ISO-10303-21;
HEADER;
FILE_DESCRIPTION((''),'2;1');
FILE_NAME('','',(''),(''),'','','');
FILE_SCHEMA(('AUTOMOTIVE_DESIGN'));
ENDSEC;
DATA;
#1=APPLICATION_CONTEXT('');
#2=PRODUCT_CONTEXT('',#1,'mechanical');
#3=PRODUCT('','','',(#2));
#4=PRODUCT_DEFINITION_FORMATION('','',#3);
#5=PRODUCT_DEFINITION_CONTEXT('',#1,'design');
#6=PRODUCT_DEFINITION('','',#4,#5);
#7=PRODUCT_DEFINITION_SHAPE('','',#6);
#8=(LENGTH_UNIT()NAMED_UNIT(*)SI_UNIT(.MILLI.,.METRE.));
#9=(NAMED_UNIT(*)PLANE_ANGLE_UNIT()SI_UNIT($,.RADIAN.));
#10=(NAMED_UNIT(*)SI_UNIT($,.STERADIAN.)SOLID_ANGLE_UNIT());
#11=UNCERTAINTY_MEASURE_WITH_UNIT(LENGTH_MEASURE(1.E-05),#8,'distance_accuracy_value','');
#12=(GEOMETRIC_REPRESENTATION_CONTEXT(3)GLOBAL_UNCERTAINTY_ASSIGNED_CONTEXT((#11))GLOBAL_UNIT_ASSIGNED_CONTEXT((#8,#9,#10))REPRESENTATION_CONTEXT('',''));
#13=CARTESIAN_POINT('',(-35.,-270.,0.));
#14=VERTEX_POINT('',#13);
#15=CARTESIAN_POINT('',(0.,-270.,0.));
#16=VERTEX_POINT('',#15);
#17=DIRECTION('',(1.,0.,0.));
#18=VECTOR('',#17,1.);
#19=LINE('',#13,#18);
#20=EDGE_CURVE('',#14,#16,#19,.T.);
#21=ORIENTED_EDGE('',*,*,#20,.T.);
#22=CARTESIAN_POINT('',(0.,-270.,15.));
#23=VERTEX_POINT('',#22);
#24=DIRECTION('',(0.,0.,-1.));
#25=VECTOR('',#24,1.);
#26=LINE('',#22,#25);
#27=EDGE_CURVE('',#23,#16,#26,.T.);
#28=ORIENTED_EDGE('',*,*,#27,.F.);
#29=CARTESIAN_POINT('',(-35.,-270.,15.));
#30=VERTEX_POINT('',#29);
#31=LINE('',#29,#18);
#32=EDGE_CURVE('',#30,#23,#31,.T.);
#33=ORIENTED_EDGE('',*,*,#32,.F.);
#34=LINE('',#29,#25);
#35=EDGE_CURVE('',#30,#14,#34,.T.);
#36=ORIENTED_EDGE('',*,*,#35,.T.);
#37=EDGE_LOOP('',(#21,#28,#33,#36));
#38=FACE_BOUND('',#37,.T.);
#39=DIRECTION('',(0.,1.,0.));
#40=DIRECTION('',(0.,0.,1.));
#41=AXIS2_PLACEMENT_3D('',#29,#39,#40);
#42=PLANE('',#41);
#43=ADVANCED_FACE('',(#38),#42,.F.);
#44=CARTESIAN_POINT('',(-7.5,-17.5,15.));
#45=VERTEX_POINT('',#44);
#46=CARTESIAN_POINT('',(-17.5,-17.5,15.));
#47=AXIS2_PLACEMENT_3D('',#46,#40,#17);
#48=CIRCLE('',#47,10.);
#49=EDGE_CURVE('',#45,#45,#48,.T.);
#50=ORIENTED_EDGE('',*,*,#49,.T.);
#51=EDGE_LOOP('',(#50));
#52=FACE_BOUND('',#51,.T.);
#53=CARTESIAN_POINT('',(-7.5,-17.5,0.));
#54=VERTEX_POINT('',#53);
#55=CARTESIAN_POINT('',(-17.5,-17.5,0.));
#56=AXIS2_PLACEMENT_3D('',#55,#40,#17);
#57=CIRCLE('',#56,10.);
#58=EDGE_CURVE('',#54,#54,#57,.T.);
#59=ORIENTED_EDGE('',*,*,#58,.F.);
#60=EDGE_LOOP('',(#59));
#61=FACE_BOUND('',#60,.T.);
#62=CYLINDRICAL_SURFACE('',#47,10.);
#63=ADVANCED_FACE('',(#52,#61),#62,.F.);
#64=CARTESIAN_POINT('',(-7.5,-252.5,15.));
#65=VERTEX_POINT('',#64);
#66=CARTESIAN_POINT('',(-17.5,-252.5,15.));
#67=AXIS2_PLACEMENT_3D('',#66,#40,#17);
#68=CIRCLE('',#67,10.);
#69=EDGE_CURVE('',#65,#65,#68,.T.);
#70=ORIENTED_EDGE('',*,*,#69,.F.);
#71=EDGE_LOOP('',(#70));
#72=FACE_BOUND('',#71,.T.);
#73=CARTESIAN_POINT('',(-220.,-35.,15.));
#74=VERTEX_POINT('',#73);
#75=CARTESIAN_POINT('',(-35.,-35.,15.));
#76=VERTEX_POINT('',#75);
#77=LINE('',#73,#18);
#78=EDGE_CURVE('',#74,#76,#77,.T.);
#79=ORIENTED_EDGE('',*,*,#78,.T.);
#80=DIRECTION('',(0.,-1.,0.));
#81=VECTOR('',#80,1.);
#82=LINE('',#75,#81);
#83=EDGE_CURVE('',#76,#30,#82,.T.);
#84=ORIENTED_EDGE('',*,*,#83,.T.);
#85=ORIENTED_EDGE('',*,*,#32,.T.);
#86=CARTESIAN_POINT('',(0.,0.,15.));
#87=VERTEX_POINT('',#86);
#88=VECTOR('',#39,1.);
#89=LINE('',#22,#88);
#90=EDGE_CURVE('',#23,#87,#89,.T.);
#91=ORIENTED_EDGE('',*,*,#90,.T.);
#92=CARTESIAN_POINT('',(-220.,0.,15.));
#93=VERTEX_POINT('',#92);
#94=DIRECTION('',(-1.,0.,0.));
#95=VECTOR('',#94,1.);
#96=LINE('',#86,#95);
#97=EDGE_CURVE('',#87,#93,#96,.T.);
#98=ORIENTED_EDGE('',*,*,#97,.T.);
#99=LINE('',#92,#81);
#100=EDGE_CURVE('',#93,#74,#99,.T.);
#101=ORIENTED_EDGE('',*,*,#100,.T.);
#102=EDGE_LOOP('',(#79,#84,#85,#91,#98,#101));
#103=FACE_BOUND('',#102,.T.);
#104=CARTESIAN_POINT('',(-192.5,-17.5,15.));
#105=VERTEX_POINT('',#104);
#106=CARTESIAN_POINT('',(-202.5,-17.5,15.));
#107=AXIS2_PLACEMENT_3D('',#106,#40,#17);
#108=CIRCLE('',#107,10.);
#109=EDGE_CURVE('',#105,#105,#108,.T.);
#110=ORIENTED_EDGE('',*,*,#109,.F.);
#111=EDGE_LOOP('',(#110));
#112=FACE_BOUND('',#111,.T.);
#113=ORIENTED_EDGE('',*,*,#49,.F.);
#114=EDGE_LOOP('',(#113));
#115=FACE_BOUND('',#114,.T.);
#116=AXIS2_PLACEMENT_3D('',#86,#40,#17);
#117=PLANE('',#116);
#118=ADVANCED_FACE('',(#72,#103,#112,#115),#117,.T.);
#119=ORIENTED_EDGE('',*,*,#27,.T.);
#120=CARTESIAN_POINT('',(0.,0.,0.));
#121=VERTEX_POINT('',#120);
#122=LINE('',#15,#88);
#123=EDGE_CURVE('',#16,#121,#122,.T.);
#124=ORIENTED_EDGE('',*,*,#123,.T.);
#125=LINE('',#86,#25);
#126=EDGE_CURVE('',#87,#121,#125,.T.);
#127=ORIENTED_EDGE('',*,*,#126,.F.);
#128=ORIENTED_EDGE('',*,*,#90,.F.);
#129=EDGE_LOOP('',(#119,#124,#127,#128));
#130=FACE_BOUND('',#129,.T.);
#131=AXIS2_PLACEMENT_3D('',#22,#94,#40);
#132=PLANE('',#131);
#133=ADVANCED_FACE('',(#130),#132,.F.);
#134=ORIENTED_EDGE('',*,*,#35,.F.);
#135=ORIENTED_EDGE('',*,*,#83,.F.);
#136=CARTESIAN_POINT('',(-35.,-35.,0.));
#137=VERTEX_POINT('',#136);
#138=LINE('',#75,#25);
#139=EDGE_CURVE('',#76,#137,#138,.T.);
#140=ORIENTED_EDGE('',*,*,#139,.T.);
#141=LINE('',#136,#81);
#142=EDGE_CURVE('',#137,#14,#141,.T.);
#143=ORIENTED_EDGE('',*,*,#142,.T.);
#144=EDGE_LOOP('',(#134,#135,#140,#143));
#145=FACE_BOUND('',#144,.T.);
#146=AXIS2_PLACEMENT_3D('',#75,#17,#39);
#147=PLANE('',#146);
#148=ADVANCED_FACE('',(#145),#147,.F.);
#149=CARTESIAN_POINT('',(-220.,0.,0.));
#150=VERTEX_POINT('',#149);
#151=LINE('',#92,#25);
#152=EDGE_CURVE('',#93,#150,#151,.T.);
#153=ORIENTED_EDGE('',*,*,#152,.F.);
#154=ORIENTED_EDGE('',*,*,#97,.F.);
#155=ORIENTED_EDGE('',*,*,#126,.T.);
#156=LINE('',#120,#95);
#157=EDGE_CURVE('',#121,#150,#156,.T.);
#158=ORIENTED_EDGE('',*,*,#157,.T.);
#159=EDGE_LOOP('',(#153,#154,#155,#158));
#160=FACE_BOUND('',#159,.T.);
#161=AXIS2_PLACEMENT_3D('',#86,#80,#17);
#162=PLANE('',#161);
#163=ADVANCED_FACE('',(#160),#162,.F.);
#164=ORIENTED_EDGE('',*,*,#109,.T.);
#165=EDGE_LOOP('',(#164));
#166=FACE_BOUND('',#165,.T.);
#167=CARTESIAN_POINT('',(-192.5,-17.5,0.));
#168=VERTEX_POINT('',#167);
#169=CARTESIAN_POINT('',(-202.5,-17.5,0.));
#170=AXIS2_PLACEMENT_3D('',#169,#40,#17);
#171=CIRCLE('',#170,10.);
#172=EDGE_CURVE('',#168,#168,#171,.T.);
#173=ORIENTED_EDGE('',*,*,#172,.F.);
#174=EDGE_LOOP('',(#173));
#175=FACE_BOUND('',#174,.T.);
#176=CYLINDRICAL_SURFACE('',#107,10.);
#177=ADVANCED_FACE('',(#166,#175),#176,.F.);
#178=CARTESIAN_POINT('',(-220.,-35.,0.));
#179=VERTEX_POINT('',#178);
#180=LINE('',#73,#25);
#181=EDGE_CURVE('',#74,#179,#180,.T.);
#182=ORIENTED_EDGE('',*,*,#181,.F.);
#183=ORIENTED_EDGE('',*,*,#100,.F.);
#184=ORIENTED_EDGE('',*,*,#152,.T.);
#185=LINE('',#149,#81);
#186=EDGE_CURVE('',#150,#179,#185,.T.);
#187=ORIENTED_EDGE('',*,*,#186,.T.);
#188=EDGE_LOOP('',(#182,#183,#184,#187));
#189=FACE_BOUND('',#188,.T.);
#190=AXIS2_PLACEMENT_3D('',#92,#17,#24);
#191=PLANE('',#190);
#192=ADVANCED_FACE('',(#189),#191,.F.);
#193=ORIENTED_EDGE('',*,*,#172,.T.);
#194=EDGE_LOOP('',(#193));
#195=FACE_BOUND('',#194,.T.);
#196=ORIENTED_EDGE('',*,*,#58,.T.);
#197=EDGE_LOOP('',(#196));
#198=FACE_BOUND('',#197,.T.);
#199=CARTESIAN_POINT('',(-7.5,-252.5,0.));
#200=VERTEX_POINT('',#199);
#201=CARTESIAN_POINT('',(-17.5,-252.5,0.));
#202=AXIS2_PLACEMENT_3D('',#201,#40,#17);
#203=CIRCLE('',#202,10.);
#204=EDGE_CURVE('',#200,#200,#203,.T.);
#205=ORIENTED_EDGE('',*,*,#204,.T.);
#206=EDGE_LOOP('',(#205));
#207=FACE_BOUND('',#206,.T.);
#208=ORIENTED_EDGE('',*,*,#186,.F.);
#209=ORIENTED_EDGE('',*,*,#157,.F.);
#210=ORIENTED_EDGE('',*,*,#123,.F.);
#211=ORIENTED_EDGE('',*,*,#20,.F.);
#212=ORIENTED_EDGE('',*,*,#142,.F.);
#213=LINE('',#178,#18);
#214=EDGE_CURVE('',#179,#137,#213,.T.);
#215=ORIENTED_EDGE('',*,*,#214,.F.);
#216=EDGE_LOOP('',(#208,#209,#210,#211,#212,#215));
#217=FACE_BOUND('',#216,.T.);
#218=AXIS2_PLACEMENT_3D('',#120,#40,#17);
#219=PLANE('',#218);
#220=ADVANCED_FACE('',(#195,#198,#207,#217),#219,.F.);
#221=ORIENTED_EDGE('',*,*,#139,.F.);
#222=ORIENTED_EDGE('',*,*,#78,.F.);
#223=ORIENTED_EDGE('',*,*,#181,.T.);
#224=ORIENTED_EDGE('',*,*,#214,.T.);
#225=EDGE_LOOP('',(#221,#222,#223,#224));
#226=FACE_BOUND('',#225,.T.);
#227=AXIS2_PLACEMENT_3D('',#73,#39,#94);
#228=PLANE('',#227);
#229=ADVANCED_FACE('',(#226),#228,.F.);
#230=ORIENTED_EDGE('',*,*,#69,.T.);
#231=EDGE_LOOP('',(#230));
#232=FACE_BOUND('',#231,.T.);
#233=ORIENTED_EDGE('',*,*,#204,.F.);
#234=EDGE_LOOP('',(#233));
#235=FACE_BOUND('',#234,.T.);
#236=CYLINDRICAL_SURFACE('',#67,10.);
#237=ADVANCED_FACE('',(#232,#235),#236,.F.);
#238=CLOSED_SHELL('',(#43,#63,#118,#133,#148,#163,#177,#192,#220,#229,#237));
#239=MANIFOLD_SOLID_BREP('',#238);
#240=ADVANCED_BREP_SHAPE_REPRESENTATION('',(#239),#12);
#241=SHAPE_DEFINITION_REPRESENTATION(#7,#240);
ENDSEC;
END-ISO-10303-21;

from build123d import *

# Parameters (mm, degrees)
BOSS_EXTRUDE1_DEPTH        = 15
F_20_0MM_DOWEL_HOLE2_D     = 20
F_20_0MM_DOWEL_HOLE2_DEPTH = 22.25
F_20_0MM_DOWEL_HOLE2_TIP   = 6.00860619
F_20_0MM_DOWEL_HOLE1_D     = 20
F_20_0MM_DOWEL_HOLE1_DEPTH = 22.25
F_20_0MM_DOWEL_HOLE1_TIP   = 6.00860619


with BuildPart() as part:
    # Sketch1 → Boss-Extrude1 (new body)
    with BuildSketch(Plane.XY):
        Polygon((0, 0), (-220, 0), (-220, -35), (-35, -35), (-35, -270), (0, -270), align=None)
    extrude(amount=BOSS_EXTRUDE1_DEPTH)

    # Ø20.0mm Dowel Hole2
    with Locations(Plane.XY.offset(15)):
        with Locations((-17.5, -17.5), (-202.5, -17.5), (-17.5, -252.5)):
            Hole(F_20_0MM_DOWEL_HOLE2_D / 2, depth=F_20_0MM_DOWEL_HOLE2_DEPTH)
            with Locations((0, 0, -(F_20_0MM_DOWEL_HOLE2_DEPTH + F_20_0MM_DOWEL_HOLE2_TIP / 2))):  # 118° drill point
                Cone(0, F_20_0MM_DOWEL_HOLE2_D / 2, F_20_0MM_DOWEL_HOLE2_TIP, mode=Mode.SUBTRACT)

    # Ø20.0mm Dowel Hole1
    with Locations(Plane.XY.offset(15)):
        with Locations((-17.5, -17.5), (-202.5, -17.5), (-17.5, -252.5)):
            Hole(F_20_0MM_DOWEL_HOLE1_D / 2, depth=F_20_0MM_DOWEL_HOLE1_DEPTH)
            with Locations((0, 0, -(F_20_0MM_DOWEL_HOLE1_DEPTH + F_20_0MM_DOWEL_HOLE1_TIP / 2))):  # 118° drill point
                Cone(0, F_20_0MM_DOWEL_HOLE1_D / 2, F_20_0MM_DOWEL_HOLE1_TIP, mode=Mode.SUBTRACT)


solid = part.part
